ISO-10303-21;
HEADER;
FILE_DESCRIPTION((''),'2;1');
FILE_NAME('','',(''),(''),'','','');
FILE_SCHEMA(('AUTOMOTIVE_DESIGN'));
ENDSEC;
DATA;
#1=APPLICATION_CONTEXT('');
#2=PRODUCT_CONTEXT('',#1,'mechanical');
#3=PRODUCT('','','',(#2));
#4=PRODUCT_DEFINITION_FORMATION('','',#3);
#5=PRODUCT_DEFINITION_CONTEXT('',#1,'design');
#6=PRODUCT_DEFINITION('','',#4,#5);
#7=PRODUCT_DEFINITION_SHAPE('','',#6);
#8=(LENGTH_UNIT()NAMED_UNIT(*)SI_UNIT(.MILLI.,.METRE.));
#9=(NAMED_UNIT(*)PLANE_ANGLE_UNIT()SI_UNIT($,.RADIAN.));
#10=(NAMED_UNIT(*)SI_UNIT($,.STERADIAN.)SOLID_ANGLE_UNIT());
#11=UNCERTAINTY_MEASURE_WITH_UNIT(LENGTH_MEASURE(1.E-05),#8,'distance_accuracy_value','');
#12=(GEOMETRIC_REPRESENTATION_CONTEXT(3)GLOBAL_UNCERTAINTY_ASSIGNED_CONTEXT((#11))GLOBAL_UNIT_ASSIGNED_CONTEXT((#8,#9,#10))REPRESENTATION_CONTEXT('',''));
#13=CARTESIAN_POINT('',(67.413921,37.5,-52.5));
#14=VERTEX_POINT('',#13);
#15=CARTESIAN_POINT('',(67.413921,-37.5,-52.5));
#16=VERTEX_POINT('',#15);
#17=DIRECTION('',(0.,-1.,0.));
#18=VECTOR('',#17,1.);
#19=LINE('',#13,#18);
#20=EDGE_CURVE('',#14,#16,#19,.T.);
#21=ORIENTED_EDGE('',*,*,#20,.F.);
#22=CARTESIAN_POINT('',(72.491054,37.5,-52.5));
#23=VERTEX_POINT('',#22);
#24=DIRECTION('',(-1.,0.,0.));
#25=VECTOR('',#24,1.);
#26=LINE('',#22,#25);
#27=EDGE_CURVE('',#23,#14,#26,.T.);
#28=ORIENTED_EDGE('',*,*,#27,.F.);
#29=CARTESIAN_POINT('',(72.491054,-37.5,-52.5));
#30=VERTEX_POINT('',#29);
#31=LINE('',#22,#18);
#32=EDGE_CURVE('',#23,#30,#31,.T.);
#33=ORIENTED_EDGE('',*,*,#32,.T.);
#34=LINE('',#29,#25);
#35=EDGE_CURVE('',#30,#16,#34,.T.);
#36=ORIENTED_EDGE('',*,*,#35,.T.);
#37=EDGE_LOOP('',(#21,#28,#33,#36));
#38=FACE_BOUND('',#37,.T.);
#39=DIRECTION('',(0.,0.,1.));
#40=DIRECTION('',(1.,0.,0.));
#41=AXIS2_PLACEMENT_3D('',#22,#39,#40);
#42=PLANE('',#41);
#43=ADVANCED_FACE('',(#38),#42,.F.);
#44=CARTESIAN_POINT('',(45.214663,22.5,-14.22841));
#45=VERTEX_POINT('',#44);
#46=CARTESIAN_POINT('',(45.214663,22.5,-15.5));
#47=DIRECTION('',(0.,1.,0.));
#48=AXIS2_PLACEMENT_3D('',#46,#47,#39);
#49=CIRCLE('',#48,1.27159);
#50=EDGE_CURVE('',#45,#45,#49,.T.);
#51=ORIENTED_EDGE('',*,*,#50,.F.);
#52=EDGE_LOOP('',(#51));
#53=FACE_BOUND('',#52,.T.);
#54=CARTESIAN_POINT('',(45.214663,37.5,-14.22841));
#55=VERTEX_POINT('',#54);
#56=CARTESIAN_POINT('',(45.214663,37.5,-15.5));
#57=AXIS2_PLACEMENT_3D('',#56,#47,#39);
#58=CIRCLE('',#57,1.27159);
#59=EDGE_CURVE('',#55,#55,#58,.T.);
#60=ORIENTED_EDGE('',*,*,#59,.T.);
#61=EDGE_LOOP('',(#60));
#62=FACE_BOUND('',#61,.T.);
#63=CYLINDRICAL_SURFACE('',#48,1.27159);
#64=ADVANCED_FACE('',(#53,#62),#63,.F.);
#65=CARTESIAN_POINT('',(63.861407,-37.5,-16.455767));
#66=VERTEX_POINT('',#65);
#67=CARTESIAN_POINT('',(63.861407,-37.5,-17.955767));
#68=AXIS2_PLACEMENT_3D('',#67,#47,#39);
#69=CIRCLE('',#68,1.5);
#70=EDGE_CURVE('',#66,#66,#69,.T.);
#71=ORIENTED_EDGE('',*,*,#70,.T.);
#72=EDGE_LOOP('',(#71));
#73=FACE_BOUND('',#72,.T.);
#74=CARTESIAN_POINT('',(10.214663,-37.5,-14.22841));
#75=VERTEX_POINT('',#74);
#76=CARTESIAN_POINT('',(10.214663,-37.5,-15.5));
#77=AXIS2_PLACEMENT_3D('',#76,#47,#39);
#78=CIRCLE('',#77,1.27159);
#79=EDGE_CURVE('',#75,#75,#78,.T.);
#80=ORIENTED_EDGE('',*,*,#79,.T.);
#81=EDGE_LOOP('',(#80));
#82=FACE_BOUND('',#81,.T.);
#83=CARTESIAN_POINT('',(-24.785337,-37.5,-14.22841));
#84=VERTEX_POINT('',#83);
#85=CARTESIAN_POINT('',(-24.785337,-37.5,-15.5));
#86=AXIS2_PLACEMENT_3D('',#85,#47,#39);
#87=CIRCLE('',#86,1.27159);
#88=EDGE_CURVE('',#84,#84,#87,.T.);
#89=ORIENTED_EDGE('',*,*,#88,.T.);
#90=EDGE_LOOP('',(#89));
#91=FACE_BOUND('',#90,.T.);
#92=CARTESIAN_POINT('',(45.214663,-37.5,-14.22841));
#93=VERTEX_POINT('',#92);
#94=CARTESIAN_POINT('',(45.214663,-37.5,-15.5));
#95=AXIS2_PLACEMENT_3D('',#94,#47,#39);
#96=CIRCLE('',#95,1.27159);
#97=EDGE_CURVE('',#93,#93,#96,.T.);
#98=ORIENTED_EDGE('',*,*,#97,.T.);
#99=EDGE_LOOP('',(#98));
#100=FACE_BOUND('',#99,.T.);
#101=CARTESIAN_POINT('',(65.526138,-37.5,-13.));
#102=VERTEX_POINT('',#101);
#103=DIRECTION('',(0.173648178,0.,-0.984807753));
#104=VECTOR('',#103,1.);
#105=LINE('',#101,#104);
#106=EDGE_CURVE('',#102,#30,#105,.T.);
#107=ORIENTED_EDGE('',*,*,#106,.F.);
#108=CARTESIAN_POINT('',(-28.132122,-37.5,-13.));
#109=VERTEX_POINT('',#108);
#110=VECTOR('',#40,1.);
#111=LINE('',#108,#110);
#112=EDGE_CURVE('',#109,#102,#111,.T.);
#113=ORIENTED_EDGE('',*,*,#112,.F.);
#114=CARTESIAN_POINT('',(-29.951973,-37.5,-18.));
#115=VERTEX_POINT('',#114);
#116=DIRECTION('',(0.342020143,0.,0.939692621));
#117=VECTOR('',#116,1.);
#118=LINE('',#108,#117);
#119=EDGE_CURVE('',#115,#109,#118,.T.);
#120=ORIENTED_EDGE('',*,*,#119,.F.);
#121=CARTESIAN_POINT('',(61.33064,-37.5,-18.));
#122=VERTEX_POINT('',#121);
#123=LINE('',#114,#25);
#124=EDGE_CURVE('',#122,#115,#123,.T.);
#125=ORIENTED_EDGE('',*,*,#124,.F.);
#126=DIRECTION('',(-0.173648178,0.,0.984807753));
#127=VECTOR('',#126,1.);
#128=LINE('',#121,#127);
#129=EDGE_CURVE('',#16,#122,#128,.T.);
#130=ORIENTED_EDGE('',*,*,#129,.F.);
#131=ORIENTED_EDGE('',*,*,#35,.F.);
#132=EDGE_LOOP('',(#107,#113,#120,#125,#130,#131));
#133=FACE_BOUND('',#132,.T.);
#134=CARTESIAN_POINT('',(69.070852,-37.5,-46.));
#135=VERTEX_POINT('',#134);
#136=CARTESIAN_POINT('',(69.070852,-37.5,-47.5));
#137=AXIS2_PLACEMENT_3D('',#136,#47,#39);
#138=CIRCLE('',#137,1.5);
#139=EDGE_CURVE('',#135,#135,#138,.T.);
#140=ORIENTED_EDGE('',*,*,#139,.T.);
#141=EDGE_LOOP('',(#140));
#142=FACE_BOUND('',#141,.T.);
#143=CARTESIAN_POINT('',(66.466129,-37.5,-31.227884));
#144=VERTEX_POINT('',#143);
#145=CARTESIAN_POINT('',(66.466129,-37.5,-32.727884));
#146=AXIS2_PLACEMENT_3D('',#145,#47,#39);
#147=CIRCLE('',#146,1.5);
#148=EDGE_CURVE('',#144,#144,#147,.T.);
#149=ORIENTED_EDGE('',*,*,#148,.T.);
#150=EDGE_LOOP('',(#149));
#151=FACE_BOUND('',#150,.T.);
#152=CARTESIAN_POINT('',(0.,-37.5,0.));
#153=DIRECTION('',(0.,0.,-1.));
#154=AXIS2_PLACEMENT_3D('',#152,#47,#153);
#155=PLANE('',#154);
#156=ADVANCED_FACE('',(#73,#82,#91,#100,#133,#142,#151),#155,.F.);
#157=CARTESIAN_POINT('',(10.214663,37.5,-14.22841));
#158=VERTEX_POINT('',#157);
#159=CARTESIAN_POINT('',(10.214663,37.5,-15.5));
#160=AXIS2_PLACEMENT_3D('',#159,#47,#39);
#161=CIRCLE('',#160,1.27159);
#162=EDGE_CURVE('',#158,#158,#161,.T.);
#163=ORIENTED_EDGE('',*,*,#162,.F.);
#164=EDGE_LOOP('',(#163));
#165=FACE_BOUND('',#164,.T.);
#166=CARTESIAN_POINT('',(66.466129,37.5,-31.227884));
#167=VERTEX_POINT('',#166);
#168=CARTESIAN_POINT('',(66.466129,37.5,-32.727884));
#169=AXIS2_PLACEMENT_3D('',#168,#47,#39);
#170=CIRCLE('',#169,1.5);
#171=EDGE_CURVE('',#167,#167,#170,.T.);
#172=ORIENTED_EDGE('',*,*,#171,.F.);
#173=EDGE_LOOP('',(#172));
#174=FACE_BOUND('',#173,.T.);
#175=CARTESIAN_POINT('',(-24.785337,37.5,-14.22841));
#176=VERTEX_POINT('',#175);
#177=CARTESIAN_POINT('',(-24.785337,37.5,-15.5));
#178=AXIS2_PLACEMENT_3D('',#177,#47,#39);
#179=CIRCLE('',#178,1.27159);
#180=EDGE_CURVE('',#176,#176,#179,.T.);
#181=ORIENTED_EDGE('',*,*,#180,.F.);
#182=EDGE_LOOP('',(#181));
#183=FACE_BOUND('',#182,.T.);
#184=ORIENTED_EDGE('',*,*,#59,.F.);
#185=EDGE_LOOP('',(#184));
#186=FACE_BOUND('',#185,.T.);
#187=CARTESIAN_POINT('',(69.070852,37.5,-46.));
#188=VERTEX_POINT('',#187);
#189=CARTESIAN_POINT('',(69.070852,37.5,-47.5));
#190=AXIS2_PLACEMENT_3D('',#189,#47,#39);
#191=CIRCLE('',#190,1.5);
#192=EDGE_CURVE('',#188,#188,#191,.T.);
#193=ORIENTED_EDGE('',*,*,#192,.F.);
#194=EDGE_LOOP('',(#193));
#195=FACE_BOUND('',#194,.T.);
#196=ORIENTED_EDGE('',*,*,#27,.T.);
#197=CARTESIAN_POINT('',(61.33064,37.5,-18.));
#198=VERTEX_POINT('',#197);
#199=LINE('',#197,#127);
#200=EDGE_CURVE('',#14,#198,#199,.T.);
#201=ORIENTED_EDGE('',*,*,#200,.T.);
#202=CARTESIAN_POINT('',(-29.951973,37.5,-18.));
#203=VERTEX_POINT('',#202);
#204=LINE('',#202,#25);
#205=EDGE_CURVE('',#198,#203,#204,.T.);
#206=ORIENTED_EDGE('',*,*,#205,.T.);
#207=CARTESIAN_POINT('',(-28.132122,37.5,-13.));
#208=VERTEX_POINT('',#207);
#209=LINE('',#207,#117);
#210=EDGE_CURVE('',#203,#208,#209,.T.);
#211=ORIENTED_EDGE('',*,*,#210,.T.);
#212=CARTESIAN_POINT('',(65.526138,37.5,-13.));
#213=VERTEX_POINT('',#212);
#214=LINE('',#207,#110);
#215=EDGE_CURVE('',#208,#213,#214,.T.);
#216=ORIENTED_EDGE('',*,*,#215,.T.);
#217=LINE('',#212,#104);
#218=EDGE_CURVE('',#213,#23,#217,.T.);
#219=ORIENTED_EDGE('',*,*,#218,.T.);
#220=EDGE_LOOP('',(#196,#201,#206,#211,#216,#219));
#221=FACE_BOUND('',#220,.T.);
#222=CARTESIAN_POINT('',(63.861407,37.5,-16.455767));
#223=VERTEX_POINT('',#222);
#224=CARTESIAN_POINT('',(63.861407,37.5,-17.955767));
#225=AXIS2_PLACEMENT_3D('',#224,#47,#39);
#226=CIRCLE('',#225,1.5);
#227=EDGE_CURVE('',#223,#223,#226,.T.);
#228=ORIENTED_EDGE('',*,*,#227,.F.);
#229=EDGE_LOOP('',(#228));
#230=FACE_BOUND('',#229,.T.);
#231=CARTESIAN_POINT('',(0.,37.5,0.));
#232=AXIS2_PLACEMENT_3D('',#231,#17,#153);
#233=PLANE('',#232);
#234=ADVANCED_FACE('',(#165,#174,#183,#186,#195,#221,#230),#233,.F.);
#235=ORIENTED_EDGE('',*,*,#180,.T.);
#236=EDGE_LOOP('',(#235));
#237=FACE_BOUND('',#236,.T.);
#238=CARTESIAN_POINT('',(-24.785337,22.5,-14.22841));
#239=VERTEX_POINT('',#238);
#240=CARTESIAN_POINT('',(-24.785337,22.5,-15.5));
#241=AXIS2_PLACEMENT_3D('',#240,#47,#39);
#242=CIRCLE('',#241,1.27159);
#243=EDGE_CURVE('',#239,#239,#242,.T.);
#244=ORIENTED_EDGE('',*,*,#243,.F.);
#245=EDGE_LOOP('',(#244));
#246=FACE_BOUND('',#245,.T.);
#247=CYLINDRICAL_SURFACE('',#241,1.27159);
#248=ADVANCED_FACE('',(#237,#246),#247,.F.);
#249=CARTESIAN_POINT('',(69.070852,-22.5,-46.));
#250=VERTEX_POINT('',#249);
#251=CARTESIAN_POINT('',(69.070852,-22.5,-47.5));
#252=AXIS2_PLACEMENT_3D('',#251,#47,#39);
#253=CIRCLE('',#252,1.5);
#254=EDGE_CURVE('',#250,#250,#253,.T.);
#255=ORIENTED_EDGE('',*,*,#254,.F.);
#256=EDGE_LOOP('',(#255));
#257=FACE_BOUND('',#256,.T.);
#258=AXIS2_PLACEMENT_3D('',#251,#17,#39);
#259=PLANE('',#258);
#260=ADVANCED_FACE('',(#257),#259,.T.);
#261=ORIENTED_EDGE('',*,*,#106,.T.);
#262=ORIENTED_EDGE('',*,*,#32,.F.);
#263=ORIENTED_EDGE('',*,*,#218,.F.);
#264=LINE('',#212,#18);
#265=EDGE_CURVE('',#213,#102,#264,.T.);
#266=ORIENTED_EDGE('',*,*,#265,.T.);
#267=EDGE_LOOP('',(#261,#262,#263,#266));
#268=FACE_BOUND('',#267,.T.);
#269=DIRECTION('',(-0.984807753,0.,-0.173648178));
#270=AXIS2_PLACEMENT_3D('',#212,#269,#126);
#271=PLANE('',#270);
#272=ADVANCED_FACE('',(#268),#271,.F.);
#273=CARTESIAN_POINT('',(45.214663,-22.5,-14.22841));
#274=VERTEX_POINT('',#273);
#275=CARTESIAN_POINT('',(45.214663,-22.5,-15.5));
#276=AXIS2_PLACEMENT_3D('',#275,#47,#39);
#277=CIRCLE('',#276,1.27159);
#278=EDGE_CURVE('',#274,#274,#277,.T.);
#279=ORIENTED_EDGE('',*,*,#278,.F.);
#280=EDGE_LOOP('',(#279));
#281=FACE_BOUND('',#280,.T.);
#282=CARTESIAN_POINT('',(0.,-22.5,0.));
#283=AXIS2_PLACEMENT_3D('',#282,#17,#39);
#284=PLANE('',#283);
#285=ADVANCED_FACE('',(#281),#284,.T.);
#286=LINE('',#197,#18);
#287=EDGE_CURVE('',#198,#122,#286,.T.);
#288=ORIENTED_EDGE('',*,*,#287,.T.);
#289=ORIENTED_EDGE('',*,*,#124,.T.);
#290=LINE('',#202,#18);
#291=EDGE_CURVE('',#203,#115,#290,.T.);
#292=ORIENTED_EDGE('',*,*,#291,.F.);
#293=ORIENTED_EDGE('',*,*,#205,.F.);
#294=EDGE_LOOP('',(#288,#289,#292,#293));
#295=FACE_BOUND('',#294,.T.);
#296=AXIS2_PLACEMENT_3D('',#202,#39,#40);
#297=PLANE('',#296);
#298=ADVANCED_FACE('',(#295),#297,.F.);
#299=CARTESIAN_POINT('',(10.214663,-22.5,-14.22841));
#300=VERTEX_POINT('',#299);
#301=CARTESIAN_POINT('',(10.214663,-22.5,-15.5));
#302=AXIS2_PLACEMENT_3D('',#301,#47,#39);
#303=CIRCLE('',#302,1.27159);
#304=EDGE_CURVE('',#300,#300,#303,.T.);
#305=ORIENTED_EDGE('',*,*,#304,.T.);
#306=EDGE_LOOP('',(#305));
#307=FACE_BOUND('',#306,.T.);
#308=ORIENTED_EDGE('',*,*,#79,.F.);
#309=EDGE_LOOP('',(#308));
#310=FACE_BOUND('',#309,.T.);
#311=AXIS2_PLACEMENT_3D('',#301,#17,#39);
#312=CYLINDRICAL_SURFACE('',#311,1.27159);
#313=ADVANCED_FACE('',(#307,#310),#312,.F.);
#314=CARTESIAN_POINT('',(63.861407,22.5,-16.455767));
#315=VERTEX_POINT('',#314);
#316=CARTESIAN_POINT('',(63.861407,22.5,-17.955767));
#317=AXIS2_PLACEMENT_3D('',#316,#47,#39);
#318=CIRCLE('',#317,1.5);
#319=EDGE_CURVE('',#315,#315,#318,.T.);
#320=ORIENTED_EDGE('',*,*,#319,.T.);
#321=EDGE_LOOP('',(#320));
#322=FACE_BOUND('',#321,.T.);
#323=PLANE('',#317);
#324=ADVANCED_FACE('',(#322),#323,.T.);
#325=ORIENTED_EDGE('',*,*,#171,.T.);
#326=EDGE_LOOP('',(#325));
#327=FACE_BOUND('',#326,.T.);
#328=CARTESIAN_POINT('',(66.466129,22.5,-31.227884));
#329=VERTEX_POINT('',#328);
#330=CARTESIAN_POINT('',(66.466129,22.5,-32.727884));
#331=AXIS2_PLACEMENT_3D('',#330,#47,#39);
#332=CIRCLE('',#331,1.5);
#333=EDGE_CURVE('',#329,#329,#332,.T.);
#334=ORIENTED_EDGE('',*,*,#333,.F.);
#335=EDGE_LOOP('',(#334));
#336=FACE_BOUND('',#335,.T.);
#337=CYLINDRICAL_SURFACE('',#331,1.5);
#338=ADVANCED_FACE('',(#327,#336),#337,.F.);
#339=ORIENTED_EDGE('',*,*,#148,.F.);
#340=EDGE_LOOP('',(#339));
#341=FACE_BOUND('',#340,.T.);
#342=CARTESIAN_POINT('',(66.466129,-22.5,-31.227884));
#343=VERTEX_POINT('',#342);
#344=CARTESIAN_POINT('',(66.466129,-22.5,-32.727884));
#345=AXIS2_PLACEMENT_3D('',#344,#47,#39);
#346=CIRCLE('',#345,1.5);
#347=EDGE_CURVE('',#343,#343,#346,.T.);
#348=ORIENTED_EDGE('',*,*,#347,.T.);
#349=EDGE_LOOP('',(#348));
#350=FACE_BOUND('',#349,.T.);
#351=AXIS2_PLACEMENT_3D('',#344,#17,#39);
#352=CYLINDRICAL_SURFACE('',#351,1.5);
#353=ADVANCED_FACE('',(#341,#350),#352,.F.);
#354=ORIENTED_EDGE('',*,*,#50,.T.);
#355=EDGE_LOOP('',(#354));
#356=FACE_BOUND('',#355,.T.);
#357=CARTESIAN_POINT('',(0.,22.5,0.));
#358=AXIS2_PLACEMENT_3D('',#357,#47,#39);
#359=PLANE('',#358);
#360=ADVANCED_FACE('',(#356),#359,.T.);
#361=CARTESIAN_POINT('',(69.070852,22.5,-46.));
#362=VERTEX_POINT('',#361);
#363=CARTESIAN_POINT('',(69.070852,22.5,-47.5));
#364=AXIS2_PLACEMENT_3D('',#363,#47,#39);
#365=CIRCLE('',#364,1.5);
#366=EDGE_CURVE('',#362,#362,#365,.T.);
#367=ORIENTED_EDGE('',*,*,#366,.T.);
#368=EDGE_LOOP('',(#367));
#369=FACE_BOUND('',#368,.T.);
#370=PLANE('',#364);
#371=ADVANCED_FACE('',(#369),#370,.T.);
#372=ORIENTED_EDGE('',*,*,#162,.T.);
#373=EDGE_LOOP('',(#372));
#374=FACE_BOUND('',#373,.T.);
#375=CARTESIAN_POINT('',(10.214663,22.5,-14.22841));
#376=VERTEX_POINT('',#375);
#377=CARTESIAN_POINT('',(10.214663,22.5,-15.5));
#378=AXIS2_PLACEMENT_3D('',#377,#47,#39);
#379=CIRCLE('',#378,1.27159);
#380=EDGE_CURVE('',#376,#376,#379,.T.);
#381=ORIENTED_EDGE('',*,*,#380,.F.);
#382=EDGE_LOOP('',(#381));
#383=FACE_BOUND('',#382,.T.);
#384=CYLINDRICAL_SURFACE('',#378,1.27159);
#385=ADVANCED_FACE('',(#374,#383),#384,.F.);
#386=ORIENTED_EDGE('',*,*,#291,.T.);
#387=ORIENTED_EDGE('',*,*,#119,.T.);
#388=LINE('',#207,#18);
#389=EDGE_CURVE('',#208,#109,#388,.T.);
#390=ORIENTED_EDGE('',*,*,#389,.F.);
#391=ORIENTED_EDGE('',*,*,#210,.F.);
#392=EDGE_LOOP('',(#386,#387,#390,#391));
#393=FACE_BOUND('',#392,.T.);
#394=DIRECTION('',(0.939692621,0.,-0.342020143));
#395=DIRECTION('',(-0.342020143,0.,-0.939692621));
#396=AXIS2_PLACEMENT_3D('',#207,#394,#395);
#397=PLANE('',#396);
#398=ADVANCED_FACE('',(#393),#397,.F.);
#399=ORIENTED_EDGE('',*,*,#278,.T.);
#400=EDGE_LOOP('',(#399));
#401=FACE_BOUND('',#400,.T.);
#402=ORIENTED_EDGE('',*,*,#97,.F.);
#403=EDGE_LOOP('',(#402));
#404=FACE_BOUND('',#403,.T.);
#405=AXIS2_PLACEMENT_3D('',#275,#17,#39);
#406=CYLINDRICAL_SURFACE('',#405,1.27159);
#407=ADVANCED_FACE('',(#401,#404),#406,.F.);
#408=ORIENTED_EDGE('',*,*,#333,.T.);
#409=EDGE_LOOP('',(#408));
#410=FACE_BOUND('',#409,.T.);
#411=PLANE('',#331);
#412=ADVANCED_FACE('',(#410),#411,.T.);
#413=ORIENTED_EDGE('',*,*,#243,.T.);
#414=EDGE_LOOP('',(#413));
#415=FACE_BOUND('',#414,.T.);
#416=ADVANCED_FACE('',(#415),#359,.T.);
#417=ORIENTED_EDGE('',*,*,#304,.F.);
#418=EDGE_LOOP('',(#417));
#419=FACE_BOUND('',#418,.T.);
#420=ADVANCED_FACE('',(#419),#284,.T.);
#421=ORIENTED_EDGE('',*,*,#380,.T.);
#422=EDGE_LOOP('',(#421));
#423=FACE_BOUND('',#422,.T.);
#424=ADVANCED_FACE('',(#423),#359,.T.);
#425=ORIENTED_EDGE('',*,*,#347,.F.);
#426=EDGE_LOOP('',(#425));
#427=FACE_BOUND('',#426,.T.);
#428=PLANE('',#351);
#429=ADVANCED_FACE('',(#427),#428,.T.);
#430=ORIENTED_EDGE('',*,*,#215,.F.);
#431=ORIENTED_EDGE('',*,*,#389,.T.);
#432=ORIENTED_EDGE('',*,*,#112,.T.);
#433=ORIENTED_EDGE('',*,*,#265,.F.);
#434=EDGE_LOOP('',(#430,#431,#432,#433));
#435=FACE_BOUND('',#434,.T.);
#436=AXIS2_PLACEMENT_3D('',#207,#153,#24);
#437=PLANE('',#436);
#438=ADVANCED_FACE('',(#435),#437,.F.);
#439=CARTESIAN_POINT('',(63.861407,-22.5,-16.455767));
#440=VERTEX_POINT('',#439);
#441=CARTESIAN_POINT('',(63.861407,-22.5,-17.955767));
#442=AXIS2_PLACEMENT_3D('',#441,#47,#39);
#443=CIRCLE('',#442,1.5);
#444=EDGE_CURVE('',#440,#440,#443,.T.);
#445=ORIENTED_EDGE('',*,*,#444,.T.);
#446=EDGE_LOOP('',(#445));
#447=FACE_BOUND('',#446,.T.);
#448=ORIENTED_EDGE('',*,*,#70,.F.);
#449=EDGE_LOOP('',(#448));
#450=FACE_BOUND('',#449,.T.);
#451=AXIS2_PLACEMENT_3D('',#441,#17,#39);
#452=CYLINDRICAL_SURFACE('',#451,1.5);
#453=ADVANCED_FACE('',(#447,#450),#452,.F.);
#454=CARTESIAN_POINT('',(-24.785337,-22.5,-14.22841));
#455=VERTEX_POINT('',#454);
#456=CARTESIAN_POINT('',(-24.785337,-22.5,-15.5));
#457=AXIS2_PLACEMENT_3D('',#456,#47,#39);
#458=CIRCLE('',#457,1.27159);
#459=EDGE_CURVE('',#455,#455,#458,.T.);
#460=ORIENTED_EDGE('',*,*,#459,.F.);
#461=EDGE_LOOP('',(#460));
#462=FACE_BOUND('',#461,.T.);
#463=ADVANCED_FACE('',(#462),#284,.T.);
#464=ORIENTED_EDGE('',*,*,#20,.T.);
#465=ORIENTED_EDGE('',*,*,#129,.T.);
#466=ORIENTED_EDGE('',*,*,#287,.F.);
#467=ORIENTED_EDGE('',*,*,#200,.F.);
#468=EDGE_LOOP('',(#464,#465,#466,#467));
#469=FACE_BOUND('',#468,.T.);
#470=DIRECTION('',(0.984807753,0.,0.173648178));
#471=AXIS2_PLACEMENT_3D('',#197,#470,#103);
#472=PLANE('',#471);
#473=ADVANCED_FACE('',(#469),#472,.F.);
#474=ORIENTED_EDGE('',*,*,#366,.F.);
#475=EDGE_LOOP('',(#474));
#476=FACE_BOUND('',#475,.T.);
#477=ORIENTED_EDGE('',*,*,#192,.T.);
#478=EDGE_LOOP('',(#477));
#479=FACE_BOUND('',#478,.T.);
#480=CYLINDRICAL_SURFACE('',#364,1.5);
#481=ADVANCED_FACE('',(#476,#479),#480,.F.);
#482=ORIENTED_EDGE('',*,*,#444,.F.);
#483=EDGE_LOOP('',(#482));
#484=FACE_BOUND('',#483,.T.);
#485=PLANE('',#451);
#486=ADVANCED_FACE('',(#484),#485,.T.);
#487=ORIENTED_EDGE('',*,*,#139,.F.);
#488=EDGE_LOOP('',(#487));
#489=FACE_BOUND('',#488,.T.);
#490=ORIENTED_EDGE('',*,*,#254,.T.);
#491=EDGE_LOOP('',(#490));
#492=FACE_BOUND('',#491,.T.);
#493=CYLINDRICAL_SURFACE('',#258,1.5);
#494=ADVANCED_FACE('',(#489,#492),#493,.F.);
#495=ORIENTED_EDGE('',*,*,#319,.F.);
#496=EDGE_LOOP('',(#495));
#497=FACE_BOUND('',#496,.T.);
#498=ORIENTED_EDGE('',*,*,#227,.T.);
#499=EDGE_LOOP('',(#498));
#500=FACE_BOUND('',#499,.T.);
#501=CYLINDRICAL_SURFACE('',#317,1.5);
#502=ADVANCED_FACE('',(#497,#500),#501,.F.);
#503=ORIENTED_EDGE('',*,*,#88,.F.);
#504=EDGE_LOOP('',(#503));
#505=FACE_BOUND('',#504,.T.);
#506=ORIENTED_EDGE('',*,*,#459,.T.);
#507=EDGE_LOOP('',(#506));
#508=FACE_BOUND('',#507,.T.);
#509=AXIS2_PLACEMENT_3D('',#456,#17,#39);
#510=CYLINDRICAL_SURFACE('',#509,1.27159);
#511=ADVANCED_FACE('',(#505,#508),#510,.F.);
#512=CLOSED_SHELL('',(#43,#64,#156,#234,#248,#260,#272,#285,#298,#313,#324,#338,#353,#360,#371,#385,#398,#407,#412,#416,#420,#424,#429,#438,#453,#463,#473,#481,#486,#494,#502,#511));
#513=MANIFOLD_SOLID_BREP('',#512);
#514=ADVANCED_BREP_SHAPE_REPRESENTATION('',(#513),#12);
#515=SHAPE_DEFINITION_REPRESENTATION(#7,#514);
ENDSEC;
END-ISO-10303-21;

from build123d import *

# Parameters (mm, degrees)
BOSS_EXTRUDE1_DEPTH = 37.5
SKETCH2_R           = 1.271589992
SKETCH2_R_2         = 1.5
CUT_EXTRUDE1_DEPTH  = 15


with BuildPart() as part:
    # Sketch1 → Boss-Extrude1 (new body)
    with BuildSketch(Plane(origin=(0, 0, 0), x_dir=(-1, 0, 0), z_dir=(0, 1, 0))):
        Polygon((28.132122167, -13), (-65.526137841, -13), (-72.491053579, -52.5), (-67.41392052, -52.5), (-61.330639685, -18), (29.951973339, -18), align=None)
    extrude(amount=BOSS_EXTRUDE1_DEPTH)

    # Sketch2 → Cut-Extrude1 (cut)
    with BuildSketch(Plane(origin=(0, 37.5, 0), x_dir=(-1, 0, 0), z_dir=(0, 1, 0))):
        with Locations(Location((-45.214663337, -15.5, 0), (0, 0, 90))):
            Circle(SKETCH2_R)
        with Locations(Location((-10.214663337, -15.5, 0), (0, 0, 90))):
            Circle(SKETCH2_R)
        with Locations(Location((24.785336663, -15.5, 0), (0, 0, 90))):
            Circle(SKETCH2_R)
        with Locations(Location((-69.070852146, -47.5, 0), (0, 0, 90))):
            Circle(SKETCH2_R_2)
        with Locations(Location((-66.466129481, -32.727883705, 0), (0, 0, 90))):
            Circle(SKETCH2_R_2)
        with Locations(Location((-63.861406816, -17.95576741, 0), (0, 0, 90))):
            Circle(SKETCH2_R_2)
    extrude(amount=-CUT_EXTRUDE1_DEPTH, mode=Mode.SUBTRACT)

    # Mirror1: part across plane


with BuildPart() as part_1:
    add(part.part)
    add(part.part.mirror(Plane(origin=(0, 0, 0), x_dir=(0, 0, 1), z_dir=(0, -1, 0))))


solid = part_1.part
